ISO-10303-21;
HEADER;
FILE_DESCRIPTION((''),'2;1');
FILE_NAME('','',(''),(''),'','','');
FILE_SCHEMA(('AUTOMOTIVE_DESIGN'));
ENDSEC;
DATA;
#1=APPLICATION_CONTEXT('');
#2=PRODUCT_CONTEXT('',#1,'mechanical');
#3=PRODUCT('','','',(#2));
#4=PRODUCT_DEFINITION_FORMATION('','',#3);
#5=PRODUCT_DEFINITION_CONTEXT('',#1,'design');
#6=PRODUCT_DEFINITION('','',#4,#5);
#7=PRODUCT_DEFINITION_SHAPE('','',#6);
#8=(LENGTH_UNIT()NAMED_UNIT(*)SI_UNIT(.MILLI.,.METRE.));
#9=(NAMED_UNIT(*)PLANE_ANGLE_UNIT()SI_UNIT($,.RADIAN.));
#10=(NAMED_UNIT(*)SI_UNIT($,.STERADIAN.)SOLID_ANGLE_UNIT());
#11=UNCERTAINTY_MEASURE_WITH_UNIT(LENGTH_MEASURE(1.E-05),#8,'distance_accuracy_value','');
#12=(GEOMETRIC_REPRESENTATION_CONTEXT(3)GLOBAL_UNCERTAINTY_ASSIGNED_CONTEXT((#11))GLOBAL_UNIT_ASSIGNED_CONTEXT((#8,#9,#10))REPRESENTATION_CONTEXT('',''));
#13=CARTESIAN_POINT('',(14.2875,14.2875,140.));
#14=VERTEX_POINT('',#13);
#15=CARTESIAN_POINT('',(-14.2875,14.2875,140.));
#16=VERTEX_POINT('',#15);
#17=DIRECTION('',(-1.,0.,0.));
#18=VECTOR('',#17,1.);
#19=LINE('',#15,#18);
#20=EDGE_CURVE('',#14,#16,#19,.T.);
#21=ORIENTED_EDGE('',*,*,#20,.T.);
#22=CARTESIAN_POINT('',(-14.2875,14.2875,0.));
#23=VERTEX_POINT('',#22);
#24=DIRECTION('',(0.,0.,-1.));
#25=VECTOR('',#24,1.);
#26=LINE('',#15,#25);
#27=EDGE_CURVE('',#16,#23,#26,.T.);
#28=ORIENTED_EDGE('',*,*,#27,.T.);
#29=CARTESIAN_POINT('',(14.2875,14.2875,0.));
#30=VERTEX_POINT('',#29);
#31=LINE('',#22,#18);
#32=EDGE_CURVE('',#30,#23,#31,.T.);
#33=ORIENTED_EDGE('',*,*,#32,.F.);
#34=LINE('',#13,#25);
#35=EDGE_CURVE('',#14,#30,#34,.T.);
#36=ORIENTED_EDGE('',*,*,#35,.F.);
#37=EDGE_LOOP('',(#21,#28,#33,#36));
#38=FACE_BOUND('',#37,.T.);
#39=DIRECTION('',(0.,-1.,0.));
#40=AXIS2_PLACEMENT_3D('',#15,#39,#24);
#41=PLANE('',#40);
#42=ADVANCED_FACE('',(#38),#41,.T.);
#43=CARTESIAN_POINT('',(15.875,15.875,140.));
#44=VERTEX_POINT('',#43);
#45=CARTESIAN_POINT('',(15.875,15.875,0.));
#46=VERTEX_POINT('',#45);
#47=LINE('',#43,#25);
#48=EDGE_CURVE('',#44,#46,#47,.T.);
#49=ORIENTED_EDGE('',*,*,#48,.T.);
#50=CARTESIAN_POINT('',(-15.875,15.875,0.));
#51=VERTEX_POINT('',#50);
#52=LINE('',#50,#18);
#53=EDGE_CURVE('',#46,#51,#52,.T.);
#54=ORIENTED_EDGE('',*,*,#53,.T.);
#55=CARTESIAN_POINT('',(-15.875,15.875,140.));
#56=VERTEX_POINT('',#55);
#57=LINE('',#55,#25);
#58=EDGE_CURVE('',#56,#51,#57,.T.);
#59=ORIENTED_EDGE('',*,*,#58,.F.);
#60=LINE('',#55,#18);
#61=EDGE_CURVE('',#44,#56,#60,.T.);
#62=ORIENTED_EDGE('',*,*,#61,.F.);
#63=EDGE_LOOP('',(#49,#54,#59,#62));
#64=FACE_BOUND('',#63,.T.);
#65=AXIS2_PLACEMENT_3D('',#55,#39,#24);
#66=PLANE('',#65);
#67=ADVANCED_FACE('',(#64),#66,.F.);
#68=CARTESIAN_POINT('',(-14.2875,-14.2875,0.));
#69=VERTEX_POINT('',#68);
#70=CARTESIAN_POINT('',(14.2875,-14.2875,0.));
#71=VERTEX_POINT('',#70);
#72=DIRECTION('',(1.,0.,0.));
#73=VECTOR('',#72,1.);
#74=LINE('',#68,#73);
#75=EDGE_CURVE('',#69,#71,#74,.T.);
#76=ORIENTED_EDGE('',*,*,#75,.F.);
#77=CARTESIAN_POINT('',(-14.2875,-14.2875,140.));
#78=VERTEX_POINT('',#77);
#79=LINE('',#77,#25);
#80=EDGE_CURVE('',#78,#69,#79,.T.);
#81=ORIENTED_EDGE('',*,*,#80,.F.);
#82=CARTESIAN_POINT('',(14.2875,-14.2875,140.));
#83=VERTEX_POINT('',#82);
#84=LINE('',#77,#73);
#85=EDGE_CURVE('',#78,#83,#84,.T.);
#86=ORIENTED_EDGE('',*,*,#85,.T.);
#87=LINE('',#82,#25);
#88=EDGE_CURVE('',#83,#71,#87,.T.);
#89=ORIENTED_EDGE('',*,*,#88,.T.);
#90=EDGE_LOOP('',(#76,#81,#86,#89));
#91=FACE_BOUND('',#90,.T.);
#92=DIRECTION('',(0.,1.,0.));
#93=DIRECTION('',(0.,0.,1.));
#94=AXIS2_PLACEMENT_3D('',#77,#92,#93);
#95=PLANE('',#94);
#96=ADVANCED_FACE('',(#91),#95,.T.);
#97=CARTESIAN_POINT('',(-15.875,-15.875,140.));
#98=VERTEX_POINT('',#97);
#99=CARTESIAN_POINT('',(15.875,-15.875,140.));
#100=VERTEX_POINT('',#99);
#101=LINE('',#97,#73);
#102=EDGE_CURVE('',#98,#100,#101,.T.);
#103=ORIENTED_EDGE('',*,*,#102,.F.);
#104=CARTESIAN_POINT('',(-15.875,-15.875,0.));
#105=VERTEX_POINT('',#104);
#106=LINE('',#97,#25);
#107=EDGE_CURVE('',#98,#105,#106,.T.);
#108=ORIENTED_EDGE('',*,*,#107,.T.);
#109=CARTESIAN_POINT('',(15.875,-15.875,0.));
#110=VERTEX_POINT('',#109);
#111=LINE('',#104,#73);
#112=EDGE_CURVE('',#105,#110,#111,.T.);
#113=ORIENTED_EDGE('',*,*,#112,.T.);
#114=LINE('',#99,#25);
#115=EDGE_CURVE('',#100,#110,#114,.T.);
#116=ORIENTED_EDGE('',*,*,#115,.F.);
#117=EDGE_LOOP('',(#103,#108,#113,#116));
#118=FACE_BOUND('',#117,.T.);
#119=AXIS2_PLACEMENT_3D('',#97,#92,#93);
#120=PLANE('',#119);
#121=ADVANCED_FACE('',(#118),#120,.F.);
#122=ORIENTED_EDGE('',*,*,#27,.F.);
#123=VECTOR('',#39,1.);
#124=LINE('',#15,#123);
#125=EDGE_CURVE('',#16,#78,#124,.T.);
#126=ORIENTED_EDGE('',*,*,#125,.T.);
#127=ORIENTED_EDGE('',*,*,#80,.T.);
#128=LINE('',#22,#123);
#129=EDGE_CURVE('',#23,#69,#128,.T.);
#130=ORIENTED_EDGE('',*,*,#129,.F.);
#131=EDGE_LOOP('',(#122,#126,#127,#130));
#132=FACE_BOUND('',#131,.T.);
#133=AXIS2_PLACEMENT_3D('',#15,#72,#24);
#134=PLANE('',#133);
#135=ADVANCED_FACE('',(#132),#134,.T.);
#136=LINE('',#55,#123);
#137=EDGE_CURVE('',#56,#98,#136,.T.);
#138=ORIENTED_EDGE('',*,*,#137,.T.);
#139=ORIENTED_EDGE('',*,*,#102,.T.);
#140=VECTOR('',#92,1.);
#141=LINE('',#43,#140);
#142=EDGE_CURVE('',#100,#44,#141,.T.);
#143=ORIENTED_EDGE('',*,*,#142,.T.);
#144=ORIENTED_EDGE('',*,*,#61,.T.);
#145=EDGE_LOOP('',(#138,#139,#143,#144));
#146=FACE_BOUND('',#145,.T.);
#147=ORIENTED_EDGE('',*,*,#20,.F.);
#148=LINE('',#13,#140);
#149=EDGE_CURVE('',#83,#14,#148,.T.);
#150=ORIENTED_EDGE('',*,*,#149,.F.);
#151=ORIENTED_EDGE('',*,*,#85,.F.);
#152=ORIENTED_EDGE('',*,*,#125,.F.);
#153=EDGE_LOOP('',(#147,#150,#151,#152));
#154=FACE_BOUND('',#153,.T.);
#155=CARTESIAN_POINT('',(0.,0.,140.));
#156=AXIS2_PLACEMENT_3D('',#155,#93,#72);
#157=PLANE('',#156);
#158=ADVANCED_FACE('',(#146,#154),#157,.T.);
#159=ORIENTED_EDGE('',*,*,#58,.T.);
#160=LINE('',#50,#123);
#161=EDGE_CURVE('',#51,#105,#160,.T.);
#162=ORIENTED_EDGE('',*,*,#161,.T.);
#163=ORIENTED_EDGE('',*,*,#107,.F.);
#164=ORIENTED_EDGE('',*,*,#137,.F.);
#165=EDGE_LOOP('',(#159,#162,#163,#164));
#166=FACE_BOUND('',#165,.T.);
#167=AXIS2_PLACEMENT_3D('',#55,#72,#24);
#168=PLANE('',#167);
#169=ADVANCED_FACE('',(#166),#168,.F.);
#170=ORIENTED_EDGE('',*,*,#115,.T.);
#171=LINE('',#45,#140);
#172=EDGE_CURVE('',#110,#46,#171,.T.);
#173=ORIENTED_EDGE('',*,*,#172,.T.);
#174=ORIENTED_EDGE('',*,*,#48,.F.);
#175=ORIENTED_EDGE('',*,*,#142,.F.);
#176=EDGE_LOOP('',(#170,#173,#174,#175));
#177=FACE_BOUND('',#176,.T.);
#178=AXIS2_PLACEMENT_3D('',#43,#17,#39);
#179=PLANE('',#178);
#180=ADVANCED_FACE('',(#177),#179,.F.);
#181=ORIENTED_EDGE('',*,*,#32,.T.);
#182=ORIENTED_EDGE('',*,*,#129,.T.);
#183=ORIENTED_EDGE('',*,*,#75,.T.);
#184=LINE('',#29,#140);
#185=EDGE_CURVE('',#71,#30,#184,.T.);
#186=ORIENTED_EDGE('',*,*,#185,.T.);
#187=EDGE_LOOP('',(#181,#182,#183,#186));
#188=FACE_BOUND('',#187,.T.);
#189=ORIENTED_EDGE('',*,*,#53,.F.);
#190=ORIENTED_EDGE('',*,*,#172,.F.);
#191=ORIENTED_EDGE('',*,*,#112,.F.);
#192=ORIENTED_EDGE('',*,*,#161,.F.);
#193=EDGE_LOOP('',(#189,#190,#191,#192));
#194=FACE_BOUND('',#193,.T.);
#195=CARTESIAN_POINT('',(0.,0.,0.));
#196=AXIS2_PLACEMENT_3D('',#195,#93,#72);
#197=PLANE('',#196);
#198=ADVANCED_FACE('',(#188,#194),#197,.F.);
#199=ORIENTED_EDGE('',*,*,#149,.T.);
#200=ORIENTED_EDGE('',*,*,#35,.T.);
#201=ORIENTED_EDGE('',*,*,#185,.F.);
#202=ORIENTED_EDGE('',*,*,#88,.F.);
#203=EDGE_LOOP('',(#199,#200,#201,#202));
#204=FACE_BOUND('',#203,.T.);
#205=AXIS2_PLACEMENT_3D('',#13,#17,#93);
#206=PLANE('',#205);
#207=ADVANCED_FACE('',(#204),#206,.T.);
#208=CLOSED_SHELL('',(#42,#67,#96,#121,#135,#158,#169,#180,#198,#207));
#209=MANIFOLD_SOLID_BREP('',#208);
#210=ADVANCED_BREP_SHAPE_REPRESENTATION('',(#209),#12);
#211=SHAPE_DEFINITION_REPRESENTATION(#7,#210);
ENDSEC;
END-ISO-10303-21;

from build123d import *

# Parameters (mm, degrees)
SKETCH1_W           = 31.75
SKETCH1_H           = 31.75
SKETCH1_W_2         = 28.575
SKETCH1_H_2         = 28.575
BOSS_EXTRUDE1_DEPTH = 140


with BuildPart() as part:
    # Sketch1 → Boss-Extrude1 (new body)
    with BuildSketch(Plane.XY):
        Rectangle(SKETCH1_W, SKETCH1_H)
        Rectangle(SKETCH1_W_2, SKETCH1_H_2, mode=Mode.SUBTRACT)
    extrude(amount=BOSS_EXTRUDE1_DEPTH)


solid = part.part
